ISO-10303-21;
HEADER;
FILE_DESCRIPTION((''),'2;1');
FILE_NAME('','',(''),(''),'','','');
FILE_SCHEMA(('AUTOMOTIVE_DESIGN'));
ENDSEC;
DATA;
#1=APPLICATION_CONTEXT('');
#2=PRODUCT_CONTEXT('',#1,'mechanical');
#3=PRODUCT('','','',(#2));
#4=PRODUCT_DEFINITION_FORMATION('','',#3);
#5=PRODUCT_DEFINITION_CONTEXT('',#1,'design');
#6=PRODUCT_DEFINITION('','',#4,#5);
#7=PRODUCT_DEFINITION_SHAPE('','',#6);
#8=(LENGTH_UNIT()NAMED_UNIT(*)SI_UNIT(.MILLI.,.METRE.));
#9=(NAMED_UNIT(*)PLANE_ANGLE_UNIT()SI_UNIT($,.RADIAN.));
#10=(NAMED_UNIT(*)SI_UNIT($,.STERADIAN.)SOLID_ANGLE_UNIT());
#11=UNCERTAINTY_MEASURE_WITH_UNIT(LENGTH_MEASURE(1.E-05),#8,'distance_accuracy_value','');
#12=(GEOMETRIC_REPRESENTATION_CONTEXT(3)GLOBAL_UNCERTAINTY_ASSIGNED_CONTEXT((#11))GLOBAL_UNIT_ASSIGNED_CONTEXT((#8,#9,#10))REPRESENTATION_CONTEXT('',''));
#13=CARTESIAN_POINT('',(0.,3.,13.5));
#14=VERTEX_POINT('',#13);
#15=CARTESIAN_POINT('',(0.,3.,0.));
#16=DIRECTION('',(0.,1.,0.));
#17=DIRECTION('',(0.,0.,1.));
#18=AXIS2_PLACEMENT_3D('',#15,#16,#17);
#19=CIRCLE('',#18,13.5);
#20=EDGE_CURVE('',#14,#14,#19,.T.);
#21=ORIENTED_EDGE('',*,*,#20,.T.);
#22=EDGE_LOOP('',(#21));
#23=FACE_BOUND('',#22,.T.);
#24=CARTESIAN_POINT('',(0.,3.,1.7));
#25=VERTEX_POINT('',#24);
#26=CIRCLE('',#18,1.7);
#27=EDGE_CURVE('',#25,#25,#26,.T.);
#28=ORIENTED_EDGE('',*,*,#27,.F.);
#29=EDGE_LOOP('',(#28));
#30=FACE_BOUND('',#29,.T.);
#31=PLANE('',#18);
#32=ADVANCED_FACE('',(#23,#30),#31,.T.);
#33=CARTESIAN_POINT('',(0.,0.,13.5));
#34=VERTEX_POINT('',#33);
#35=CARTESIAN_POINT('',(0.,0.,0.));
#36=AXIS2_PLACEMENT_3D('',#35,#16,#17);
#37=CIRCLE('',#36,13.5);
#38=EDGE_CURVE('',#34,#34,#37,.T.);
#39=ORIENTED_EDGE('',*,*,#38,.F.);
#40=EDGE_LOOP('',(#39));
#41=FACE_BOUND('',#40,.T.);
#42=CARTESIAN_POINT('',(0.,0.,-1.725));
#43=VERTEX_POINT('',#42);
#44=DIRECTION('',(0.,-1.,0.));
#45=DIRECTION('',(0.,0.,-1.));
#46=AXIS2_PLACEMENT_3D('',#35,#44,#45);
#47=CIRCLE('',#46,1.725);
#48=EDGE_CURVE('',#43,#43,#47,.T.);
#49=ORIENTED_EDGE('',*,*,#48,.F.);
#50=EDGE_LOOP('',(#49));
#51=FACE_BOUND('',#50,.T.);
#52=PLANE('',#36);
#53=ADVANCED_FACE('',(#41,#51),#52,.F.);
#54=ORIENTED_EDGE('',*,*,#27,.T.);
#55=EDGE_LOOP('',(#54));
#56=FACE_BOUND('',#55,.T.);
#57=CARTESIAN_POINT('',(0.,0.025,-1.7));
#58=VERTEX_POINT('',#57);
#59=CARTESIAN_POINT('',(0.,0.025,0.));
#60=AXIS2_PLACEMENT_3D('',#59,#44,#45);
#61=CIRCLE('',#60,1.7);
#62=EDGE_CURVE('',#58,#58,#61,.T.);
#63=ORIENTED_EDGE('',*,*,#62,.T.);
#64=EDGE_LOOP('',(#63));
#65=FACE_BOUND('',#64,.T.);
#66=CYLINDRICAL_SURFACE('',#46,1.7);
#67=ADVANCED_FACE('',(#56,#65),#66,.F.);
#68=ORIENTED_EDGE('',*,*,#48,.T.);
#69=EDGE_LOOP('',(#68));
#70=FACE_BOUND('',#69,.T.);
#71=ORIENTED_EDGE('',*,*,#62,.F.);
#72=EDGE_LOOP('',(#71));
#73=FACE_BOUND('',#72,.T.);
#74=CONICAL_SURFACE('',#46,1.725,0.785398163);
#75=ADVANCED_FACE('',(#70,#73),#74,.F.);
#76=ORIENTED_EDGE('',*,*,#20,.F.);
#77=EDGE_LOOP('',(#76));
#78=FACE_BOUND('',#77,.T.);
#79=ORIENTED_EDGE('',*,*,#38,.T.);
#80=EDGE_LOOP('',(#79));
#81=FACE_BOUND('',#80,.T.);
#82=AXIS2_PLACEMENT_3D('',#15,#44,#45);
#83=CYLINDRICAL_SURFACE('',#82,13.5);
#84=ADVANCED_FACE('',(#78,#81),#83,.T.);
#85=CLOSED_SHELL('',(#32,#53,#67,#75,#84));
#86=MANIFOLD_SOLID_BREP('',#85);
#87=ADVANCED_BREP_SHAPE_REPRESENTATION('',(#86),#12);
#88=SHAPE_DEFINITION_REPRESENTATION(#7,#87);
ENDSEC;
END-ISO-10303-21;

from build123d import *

# Parameters (mm, degrees)
SKETCH1_R                      = 13.5
BOSS_EXTRUDE1_DEPTH            = 3
M3_CLEARANCE_HOLE1_D           = 3.4
M3_CLEARANCE_HOLE1_CSINK_D     = 3.45
M3_CLEARANCE_HOLE1_CSINK_ANGLE = 90


with BuildPart() as part:
    # Sketch1 → Boss-Extrude1 (new body)
    with BuildSketch(Plane(origin=(0, 0, 0), x_dir=(1, 0, 0), z_dir=(0, 1, 0))):
        with Locations(Location((0, 0, 0), (0, 0, 270))):
            Circle(SKETCH1_R)
    extrude(amount=BOSS_EXTRUDE1_DEPTH)

    # M3 Clearance Hole1 (through all)
    with Locations(Plane(origin=(0, 0, 0), x_dir=(-1, 0, 0), z_dir=(0, -1, 0))):
        with Locations((0, 0)):
            CounterSinkHole(M3_CLEARANCE_HOLE1_D / 2, M3_CLEARANCE_HOLE1_CSINK_D / 2, counter_sink_angle=M3_CLEARANCE_HOLE1_CSINK_ANGLE)


solid = part.part
